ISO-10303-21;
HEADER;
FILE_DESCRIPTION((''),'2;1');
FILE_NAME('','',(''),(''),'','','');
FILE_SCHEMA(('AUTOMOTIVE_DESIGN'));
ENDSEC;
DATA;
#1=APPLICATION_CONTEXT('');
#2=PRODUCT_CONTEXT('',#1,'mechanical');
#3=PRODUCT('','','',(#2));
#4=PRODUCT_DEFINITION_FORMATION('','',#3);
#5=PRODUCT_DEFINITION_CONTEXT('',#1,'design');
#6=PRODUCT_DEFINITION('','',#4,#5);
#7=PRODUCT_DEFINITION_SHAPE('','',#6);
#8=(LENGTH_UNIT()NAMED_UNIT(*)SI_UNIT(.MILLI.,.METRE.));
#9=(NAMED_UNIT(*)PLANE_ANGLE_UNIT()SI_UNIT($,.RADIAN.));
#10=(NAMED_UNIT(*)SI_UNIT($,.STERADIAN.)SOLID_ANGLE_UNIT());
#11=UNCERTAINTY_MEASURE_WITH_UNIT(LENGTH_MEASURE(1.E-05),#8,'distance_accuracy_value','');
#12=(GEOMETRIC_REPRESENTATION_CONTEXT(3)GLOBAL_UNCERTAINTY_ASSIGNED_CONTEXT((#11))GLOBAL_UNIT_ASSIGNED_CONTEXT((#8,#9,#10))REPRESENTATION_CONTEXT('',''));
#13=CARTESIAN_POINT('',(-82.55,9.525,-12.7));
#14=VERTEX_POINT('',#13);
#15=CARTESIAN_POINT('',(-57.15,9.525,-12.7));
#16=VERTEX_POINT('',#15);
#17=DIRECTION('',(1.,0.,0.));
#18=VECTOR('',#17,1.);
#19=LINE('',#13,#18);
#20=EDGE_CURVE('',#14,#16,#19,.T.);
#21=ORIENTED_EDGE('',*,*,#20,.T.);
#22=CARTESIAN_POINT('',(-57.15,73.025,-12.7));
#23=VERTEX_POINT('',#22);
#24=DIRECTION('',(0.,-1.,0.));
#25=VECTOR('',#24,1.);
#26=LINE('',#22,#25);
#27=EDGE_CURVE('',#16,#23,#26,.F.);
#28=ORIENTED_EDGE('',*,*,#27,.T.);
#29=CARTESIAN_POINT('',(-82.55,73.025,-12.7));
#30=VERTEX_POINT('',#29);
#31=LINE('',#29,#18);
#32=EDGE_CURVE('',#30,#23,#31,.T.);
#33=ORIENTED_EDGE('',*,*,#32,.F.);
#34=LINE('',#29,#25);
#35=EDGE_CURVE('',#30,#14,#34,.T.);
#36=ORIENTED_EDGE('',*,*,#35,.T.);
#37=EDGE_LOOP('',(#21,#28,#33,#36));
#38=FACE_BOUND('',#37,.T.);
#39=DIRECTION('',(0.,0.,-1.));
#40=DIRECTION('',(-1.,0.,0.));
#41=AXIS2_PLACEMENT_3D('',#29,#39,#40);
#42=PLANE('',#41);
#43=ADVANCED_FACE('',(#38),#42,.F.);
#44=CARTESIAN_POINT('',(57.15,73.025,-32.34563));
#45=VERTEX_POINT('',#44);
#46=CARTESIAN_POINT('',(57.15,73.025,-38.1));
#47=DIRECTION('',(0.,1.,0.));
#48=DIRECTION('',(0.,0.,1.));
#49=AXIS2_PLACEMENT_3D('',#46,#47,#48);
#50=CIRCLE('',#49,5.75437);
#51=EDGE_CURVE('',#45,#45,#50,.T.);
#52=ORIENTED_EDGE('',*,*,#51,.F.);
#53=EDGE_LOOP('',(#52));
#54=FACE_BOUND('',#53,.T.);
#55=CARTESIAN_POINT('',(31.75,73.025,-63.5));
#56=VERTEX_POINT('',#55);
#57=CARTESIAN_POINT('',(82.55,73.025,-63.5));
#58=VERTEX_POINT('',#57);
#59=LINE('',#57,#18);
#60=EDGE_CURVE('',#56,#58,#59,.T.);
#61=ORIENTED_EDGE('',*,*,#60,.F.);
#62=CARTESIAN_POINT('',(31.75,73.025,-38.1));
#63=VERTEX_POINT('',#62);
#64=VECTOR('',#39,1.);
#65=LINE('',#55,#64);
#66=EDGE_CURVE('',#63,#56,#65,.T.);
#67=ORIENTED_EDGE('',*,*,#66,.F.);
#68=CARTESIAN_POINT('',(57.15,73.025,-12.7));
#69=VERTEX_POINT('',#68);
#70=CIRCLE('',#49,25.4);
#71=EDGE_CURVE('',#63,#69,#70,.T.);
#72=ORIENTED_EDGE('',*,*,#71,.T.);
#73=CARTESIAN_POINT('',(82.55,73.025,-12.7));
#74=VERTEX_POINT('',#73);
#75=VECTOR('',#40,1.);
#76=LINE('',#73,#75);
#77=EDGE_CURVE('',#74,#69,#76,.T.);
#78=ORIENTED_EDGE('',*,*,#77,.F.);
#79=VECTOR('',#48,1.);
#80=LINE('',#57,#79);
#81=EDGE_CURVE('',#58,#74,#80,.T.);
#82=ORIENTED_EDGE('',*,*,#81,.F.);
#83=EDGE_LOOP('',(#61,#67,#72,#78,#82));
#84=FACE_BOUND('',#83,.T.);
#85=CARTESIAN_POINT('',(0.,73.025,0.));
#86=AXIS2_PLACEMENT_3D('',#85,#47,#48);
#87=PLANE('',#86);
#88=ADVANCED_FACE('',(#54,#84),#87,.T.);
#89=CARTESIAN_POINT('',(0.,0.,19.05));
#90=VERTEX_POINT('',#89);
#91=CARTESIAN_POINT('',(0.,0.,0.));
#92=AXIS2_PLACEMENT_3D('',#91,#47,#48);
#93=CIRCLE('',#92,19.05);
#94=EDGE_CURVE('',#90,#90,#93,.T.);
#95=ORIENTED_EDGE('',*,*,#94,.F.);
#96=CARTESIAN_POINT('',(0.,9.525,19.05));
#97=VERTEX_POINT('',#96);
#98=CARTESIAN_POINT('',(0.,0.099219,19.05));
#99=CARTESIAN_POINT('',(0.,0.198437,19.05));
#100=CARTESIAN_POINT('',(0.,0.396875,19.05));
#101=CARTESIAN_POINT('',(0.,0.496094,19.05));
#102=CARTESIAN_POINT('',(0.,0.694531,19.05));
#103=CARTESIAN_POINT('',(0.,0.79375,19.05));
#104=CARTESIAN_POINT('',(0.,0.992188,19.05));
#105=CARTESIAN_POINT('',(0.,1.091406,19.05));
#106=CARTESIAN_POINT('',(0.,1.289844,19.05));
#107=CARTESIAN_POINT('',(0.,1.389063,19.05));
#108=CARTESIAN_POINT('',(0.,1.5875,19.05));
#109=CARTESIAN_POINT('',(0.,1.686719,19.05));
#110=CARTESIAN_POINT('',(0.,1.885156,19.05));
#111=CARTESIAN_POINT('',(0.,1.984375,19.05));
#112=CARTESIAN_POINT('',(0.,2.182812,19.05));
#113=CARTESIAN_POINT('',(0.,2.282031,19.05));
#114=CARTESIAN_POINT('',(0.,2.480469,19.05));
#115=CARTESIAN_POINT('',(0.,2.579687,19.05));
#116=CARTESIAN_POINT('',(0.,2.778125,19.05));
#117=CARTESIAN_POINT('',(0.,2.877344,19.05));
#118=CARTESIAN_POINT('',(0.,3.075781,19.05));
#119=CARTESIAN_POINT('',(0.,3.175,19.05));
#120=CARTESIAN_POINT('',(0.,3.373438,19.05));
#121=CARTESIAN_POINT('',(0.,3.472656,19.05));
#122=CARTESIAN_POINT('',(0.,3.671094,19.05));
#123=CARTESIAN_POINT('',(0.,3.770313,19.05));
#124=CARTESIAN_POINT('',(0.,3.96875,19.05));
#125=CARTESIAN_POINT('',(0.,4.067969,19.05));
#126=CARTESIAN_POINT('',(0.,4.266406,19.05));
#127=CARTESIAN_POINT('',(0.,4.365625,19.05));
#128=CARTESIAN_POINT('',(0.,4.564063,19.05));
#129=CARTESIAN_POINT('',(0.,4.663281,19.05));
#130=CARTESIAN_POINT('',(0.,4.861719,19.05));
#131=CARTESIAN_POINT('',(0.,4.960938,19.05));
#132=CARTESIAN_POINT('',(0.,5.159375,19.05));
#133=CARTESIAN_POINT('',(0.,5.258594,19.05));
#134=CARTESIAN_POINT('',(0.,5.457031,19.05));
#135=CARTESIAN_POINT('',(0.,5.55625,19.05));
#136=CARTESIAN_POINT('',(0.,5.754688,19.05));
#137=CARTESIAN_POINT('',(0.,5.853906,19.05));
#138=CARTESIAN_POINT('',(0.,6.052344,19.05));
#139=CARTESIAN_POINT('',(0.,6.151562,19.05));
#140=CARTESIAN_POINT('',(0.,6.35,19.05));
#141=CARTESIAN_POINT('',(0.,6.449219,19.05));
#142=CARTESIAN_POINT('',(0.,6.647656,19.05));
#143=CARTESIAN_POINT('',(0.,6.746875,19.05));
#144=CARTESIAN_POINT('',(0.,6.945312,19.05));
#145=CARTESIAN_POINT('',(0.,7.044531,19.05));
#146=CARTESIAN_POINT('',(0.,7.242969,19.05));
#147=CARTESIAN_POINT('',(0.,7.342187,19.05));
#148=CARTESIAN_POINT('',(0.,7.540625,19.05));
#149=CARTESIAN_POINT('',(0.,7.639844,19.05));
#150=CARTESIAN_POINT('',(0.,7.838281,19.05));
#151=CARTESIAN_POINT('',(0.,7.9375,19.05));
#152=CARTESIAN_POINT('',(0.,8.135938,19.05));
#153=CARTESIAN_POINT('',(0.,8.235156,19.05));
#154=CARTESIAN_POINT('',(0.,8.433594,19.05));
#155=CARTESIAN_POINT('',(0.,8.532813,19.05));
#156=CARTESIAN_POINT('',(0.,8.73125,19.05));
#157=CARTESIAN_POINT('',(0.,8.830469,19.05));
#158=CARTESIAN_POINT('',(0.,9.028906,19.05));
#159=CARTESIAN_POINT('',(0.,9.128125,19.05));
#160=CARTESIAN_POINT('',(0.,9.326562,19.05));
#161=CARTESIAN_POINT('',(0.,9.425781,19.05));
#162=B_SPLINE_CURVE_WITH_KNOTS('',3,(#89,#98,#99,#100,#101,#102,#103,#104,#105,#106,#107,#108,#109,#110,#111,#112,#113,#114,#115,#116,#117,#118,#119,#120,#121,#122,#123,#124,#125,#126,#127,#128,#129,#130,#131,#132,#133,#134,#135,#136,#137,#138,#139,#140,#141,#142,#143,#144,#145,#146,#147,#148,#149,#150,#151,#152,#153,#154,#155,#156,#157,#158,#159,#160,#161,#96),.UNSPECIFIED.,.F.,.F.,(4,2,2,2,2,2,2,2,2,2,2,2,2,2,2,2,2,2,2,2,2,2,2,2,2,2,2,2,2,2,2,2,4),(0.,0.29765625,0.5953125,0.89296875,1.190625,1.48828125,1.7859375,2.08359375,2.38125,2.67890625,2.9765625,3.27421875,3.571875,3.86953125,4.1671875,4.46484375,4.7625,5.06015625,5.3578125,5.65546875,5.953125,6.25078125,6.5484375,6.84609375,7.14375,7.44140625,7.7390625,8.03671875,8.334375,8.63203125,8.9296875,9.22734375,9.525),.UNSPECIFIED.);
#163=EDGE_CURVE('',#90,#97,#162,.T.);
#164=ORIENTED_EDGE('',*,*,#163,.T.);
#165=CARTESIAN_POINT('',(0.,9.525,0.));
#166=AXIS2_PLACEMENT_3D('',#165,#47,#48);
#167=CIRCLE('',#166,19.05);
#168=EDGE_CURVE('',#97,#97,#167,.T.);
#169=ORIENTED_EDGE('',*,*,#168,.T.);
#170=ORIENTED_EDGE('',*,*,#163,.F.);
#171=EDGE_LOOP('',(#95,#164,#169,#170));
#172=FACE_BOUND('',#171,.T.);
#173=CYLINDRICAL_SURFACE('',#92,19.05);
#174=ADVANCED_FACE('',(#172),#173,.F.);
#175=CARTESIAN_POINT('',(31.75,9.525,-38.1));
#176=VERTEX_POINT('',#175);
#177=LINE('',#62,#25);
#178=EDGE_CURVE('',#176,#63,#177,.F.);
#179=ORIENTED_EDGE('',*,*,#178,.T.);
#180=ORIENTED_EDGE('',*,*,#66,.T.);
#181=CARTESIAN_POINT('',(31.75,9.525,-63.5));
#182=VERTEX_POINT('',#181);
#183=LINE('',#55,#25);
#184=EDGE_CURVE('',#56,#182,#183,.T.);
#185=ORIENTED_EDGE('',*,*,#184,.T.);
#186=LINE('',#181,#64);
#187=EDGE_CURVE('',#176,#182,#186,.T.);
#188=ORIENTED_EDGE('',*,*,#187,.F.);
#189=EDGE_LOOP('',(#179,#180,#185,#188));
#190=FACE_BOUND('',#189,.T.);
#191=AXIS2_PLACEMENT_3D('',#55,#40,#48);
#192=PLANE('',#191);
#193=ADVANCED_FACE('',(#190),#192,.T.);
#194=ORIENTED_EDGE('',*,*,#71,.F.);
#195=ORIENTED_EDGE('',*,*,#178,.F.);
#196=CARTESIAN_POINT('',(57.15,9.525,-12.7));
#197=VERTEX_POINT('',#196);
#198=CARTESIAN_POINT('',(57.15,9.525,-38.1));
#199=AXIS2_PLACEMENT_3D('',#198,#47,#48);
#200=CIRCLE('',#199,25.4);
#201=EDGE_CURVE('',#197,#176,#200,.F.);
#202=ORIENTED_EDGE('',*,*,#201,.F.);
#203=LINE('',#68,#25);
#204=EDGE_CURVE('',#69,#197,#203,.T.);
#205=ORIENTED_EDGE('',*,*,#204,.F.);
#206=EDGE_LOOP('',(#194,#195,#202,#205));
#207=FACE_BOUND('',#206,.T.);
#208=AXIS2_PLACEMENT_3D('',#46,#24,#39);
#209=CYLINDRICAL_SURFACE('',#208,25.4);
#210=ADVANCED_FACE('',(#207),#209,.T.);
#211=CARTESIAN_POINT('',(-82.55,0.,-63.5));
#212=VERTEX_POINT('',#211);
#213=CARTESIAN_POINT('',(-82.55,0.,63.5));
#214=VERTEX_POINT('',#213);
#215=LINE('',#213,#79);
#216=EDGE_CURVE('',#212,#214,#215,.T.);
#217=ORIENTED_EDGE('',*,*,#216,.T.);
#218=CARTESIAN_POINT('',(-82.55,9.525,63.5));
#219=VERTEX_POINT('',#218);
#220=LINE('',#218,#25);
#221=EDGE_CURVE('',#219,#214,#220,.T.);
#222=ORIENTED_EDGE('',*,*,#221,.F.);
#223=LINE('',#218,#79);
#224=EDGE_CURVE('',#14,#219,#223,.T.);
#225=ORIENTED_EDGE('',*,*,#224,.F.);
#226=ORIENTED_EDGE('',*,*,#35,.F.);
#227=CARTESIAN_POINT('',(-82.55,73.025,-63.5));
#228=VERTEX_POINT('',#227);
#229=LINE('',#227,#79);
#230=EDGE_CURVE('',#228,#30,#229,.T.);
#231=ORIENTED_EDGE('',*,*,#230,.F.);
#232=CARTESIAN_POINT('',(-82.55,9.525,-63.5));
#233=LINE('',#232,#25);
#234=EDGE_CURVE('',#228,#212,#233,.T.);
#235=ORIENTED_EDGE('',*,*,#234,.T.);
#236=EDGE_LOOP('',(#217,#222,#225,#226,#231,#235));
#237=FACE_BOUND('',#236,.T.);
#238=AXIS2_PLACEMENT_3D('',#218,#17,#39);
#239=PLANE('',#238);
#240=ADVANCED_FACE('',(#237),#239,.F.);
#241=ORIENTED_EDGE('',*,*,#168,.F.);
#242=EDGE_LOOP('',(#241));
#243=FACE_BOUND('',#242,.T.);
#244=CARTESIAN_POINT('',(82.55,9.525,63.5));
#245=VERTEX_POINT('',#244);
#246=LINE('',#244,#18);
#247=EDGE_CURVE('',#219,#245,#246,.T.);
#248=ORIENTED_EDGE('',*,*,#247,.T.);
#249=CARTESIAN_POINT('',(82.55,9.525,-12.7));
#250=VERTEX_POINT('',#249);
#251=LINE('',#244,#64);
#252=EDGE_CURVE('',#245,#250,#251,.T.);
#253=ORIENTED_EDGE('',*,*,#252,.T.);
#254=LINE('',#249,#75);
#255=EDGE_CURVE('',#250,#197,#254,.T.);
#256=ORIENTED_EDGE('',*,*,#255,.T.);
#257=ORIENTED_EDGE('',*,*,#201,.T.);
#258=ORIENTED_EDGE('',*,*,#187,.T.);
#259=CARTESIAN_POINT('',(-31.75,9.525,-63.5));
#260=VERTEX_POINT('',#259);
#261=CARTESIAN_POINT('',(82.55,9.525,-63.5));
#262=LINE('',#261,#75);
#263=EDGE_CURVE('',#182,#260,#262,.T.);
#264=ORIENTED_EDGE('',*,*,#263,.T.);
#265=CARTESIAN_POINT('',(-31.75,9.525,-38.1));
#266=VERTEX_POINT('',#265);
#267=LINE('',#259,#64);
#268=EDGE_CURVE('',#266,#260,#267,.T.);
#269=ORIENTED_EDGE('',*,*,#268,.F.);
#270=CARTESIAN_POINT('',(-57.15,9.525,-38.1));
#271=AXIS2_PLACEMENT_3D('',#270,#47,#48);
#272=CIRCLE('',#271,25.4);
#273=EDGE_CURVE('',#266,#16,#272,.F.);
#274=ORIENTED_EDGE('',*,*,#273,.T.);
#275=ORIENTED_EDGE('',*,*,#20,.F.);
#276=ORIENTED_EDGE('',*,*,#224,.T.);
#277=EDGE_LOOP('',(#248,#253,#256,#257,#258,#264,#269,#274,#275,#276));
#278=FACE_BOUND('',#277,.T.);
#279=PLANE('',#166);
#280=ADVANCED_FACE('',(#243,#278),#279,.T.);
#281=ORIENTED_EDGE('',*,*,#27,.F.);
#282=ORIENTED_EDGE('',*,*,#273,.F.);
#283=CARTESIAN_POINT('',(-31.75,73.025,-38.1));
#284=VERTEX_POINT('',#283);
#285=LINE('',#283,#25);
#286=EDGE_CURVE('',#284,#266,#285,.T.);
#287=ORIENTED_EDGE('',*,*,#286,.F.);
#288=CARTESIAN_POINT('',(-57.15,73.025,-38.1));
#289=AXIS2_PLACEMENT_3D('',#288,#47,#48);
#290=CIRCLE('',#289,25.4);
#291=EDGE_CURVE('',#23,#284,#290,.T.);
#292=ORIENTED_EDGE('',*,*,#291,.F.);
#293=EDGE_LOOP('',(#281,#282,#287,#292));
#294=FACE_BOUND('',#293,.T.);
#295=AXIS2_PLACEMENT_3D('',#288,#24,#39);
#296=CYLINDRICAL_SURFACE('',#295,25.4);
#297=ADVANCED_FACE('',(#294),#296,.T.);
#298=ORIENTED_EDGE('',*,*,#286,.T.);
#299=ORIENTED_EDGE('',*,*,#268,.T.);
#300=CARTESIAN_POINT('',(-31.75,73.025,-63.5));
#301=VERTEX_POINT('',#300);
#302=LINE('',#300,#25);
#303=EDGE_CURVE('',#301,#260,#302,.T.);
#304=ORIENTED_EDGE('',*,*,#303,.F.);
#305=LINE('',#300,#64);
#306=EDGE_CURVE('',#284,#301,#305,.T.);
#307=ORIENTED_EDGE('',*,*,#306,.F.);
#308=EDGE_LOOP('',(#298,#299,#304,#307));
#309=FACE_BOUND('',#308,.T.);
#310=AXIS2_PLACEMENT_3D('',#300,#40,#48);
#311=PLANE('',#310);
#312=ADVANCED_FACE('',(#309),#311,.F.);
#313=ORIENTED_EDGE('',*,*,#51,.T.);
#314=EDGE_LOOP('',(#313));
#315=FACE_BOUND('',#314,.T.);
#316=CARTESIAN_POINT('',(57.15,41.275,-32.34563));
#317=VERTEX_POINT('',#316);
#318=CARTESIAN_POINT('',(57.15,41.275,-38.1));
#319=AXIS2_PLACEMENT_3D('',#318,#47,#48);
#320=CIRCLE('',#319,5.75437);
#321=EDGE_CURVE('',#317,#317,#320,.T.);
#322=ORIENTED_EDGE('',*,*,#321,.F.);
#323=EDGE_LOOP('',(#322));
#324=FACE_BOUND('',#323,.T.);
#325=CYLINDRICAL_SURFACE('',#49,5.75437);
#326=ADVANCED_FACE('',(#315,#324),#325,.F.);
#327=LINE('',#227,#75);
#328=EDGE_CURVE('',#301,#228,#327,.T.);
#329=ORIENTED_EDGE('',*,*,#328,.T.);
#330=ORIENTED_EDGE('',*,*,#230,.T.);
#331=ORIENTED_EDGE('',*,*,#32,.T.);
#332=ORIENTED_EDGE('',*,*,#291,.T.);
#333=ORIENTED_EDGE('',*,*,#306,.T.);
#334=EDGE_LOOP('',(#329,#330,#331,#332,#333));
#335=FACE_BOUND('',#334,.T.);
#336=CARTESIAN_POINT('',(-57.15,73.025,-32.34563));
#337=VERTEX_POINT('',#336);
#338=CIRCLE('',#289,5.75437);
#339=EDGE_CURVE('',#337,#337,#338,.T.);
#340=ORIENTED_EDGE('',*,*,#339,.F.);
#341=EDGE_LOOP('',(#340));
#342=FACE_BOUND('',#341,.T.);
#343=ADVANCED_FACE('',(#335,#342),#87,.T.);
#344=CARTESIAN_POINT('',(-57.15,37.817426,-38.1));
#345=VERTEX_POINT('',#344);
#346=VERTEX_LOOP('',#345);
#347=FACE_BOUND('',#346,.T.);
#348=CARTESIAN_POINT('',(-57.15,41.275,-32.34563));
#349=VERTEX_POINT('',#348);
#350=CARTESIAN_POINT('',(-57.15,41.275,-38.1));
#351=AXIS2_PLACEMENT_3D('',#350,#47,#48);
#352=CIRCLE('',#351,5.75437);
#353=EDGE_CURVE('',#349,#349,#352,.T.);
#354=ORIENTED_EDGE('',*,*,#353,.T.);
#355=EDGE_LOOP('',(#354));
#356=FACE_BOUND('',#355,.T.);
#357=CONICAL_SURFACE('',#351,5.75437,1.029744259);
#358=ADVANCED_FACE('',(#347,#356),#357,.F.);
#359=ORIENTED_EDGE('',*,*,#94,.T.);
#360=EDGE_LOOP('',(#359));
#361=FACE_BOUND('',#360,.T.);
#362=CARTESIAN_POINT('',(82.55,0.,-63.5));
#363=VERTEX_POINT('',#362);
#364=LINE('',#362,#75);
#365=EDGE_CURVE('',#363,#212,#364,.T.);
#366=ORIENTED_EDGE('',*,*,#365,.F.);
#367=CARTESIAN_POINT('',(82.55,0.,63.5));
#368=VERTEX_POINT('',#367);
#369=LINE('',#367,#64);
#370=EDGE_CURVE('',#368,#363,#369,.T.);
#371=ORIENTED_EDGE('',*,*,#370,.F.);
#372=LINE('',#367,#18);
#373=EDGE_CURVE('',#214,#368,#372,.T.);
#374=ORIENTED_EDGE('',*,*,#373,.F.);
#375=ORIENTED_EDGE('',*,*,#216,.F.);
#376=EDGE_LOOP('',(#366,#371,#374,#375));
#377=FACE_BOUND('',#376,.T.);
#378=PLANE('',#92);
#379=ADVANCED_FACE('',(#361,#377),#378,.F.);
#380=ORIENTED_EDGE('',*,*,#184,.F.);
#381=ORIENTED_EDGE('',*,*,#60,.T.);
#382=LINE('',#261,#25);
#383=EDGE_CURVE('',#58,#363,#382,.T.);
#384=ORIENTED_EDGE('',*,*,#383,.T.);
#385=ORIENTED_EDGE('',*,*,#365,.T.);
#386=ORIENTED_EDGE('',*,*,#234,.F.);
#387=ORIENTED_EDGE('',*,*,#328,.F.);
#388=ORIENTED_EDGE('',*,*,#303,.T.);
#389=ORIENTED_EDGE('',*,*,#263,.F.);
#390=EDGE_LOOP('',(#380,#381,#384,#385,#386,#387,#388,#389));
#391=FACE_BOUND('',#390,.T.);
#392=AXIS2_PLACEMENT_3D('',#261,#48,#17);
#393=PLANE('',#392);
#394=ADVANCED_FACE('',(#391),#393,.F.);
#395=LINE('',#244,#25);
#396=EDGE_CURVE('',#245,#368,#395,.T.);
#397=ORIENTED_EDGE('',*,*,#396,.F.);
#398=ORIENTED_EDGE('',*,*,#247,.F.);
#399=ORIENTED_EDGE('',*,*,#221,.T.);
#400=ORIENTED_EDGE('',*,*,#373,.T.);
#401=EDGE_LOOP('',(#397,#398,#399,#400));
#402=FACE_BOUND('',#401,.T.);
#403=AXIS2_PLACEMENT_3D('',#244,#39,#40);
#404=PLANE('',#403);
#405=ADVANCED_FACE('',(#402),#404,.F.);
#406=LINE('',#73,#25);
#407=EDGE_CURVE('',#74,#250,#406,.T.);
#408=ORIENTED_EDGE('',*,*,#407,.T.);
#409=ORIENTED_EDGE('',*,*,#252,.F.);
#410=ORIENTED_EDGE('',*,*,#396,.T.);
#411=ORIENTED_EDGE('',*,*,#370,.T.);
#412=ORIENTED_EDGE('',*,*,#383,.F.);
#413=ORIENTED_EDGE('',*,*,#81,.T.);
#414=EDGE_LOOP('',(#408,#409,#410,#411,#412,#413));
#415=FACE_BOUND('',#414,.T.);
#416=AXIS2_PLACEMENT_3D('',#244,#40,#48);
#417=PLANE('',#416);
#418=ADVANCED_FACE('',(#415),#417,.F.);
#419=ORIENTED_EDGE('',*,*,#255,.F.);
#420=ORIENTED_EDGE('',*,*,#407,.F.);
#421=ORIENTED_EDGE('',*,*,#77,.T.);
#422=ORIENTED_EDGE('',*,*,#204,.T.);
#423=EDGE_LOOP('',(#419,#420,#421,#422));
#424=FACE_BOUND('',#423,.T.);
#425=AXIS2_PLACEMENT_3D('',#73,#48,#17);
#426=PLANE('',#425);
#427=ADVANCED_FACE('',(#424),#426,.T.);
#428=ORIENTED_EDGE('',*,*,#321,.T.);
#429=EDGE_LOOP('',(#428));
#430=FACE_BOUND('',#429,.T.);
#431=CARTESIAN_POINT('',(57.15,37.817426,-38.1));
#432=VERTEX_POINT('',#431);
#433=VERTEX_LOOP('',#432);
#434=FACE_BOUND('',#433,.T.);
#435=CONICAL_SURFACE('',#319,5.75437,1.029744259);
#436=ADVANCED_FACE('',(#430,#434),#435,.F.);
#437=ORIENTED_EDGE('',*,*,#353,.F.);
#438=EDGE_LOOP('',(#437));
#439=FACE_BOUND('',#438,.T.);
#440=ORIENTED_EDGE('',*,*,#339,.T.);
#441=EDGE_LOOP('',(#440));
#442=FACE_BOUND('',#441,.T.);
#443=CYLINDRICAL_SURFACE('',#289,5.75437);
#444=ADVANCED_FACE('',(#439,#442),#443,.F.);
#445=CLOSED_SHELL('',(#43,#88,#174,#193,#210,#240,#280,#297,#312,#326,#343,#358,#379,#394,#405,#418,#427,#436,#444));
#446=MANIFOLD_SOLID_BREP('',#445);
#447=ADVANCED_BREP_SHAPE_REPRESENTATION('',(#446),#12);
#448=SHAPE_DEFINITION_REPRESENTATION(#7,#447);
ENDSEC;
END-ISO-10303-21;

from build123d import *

# Parameters (mm, degrees)
SKETCH1_W              = 165.1
SKETCH1_H              = 127
BASE_EXTRUDE_DEPTH     = 9.525
SKETCH2_R              = 19.05
CENTER_HOLE_DEPTH      = 105.582398734
SKETCH3_W              = 50.8
SKETCH3_H              = 50.8
TOWER_EXTRUDE_DEPTH    = 63.5
FILLET_2_R             = 25.4
FILLET_2_OF_MIRROR_2_R = 25.4


with BuildPart() as part:
    # Sketch1 → Base Extrude (new body)
    with BuildSketch(Plane(origin=(0, 0, 0), x_dir=(1, 0, 0), z_dir=(0, 1, 0))):
        Rectangle(SKETCH1_W, SKETCH1_H)
    extrude(amount=BASE_EXTRUDE_DEPTH)

    # Sketch2 → Center Hole (cut, through all)
    with BuildSketch(Plane(origin=(0, 9.525, 0), x_dir=(1, 0, 0), z_dir=(0, 1, 0))):
        with Locations(Location((0, 0, 0), (0, 0, 270))):
            Circle(SKETCH2_R)
    extrude(amount=-CENTER_HOLE_DEPTH, mode=Mode.SUBTRACT)

    # Sketch3 → Tower Extrude (add)
    with BuildSketch(Plane(origin=(0, 9.525, 0), x_dir=(1, 0, 0), z_dir=(0, 1, 0))):
        with Locations((-57.15, 38.1)):
            Rectangle(SKETCH3_W, SKETCH3_H)
    tower_extrude = extrude(amount=TOWER_EXTRUDE_DEPTH)

    # Fillet 2
    fillet_2_edges = [part.edges().sort_by_distance(p)[0] for p in [
        (-31.75, 41.275, -12.7),
    ]]
    fillet(fillet_2_edges, radius=FILLET_2_R)

    # Sketch7 → 1/2-20 Tapped Hole (revolve, cut)
    with BuildSketch(Plane(origin=(-57.15, 73.025, -38.1), x_dir=(0, 0, 1), z_dir=(1, 0, 0))):
        Polygon((0, 0), (0, 35.20757432), (5.75437, 31.75), (5.75437, 0), align=None)
    f_1_2_20_tapped_hole = revolve(axis=Axis((-57.15, 79.375, -38.1), (0, -1, 0)), mode=Mode.SUBTRACT)

    # Mirror 2: Tower Extrude, 1/2-20 Tapped Hole across plane
    add(tower_extrude.mirror(Plane(origin=(0, 0, 0), x_dir=(0, 0, 1), z_dir=(1, 0, 0))))
    add(f_1_2_20_tapped_hole.mirror(Plane(origin=(0, 0, 0), x_dir=(0, 0, 1), z_dir=(1, 0, 0))), mode=Mode.SUBTRACT)

    # Fillet 2 of Mirror 2
    fillet_2_of_mirror_2_edges = [part.edges().sort_by_distance(p)[0] for p in [
        (31.75, 41.275, -12.7),
    ]]
    fillet(fillet_2_of_mirror_2_edges, radius=FILLET_2_OF_MIRROR_2_R)


solid = part.part
